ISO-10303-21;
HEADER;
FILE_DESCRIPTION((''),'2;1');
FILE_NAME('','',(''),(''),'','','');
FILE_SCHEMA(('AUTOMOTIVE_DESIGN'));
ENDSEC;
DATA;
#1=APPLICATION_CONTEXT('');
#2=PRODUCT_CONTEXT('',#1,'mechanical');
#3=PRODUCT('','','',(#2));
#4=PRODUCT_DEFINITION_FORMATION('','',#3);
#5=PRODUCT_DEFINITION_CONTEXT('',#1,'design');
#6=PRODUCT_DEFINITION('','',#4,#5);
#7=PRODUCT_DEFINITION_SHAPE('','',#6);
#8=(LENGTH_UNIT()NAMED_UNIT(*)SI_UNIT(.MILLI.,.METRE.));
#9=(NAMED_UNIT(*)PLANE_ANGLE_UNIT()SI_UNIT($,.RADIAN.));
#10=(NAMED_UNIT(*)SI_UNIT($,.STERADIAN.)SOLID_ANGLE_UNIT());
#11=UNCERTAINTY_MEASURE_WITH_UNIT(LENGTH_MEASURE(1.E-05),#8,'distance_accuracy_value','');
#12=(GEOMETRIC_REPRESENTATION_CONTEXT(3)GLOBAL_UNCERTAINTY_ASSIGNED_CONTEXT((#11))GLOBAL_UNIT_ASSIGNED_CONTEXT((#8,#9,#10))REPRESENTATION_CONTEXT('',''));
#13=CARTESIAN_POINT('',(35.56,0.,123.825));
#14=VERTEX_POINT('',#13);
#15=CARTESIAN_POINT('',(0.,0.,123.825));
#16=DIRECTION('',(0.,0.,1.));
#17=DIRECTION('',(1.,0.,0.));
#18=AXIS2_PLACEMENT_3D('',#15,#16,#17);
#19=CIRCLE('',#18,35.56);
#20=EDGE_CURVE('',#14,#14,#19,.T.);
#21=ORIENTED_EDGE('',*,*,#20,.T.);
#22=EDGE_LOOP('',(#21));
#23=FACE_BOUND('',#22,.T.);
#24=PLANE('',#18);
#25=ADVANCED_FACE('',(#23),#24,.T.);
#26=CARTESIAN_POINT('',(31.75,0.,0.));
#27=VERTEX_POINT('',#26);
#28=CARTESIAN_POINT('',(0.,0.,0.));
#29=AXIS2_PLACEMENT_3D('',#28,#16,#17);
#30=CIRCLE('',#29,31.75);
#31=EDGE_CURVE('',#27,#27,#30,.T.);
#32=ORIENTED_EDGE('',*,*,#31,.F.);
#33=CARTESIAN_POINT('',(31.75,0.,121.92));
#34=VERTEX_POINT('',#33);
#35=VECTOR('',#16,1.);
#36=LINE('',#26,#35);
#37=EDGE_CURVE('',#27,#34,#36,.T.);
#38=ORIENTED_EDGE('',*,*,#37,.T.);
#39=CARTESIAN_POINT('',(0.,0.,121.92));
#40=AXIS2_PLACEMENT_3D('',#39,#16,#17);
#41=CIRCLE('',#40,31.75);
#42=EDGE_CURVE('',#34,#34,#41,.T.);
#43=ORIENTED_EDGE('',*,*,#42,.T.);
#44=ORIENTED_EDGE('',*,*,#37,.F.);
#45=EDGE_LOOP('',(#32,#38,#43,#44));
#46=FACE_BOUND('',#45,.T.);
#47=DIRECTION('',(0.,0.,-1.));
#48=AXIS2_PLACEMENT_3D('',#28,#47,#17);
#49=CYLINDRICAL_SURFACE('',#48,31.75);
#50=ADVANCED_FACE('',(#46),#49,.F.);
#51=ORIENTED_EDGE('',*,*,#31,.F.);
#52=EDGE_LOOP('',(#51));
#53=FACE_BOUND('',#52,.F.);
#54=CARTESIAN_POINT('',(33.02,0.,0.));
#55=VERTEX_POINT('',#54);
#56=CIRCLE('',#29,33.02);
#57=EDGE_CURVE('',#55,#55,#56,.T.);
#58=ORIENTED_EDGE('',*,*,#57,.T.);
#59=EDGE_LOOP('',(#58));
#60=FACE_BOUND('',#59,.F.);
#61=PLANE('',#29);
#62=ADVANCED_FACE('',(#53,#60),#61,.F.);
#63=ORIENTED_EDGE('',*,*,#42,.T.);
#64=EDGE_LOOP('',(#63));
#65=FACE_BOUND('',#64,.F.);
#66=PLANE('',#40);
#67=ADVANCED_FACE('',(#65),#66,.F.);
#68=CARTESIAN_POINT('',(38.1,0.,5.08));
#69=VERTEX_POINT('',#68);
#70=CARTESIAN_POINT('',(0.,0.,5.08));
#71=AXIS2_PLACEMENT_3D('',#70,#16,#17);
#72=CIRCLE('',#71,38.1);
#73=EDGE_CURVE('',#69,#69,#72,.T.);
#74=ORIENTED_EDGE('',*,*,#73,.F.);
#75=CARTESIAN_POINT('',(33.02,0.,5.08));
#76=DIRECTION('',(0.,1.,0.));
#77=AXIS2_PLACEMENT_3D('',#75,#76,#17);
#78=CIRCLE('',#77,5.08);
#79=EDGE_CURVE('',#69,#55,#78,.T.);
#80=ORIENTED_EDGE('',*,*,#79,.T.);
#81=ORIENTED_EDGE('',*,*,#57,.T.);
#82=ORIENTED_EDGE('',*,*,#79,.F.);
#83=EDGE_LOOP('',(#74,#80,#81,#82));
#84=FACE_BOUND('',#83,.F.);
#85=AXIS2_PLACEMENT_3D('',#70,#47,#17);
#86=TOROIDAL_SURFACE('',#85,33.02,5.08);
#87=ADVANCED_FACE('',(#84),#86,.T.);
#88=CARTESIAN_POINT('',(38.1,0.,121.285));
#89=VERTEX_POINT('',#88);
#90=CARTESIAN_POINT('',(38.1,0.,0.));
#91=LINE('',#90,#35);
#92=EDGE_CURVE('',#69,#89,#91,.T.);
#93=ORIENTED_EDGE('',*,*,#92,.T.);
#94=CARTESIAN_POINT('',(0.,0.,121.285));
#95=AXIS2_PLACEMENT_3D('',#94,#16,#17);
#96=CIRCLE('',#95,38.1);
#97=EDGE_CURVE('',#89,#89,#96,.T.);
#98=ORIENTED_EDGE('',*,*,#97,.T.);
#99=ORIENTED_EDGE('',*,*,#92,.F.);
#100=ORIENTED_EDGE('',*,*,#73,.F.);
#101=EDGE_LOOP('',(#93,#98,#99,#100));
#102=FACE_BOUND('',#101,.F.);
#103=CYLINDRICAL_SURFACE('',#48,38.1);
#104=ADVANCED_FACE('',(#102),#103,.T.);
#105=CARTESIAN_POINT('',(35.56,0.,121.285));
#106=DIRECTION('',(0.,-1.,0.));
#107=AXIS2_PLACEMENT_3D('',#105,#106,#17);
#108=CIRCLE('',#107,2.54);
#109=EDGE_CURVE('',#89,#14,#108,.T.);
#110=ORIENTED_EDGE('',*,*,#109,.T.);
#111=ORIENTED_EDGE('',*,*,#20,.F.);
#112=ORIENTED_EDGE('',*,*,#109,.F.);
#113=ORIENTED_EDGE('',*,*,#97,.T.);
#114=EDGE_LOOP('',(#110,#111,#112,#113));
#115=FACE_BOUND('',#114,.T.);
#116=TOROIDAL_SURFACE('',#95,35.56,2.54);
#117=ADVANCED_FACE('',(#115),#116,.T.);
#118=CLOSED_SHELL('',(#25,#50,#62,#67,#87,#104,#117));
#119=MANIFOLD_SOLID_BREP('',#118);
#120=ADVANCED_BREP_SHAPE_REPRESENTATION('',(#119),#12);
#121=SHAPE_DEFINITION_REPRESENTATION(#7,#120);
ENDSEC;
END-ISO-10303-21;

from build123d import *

# Parameters (mm, degrees)
F0_R     = 38.1
F2_DEPTH = 123.825
F1_R     = 31.75
F3_DEPTH = 121.92
F4_R     = 5.08
F5_R     = 2.54


with BuildPart() as f2:
    # F0 (on Top) → F2 (new body)
    with BuildSketch(Plane.XY):
        Circle(F0_R)
    extrude(amount=F2_DEPTH)

    # F1 (on Top) → F3 (cut)
    with BuildSketch(Plane.XY):
        Circle(F1_R)
    extrude(amount=F3_DEPTH, mode=Mode.SUBTRACT)

    # F4
    f4_edges = [f2.edges().sort_by_distance(p)[0] for p in [
        (-38.1, 0, 0),
    ]]
    fillet(f4_edges, radius=F4_R)

    # F5
    f5_edges = [f2.edges().sort_by_distance(p)[0] for p in [
        (-38.1, 0, 123.825),
    ]]
    fillet(f5_edges, radius=F5_R)


solid = f2.part
